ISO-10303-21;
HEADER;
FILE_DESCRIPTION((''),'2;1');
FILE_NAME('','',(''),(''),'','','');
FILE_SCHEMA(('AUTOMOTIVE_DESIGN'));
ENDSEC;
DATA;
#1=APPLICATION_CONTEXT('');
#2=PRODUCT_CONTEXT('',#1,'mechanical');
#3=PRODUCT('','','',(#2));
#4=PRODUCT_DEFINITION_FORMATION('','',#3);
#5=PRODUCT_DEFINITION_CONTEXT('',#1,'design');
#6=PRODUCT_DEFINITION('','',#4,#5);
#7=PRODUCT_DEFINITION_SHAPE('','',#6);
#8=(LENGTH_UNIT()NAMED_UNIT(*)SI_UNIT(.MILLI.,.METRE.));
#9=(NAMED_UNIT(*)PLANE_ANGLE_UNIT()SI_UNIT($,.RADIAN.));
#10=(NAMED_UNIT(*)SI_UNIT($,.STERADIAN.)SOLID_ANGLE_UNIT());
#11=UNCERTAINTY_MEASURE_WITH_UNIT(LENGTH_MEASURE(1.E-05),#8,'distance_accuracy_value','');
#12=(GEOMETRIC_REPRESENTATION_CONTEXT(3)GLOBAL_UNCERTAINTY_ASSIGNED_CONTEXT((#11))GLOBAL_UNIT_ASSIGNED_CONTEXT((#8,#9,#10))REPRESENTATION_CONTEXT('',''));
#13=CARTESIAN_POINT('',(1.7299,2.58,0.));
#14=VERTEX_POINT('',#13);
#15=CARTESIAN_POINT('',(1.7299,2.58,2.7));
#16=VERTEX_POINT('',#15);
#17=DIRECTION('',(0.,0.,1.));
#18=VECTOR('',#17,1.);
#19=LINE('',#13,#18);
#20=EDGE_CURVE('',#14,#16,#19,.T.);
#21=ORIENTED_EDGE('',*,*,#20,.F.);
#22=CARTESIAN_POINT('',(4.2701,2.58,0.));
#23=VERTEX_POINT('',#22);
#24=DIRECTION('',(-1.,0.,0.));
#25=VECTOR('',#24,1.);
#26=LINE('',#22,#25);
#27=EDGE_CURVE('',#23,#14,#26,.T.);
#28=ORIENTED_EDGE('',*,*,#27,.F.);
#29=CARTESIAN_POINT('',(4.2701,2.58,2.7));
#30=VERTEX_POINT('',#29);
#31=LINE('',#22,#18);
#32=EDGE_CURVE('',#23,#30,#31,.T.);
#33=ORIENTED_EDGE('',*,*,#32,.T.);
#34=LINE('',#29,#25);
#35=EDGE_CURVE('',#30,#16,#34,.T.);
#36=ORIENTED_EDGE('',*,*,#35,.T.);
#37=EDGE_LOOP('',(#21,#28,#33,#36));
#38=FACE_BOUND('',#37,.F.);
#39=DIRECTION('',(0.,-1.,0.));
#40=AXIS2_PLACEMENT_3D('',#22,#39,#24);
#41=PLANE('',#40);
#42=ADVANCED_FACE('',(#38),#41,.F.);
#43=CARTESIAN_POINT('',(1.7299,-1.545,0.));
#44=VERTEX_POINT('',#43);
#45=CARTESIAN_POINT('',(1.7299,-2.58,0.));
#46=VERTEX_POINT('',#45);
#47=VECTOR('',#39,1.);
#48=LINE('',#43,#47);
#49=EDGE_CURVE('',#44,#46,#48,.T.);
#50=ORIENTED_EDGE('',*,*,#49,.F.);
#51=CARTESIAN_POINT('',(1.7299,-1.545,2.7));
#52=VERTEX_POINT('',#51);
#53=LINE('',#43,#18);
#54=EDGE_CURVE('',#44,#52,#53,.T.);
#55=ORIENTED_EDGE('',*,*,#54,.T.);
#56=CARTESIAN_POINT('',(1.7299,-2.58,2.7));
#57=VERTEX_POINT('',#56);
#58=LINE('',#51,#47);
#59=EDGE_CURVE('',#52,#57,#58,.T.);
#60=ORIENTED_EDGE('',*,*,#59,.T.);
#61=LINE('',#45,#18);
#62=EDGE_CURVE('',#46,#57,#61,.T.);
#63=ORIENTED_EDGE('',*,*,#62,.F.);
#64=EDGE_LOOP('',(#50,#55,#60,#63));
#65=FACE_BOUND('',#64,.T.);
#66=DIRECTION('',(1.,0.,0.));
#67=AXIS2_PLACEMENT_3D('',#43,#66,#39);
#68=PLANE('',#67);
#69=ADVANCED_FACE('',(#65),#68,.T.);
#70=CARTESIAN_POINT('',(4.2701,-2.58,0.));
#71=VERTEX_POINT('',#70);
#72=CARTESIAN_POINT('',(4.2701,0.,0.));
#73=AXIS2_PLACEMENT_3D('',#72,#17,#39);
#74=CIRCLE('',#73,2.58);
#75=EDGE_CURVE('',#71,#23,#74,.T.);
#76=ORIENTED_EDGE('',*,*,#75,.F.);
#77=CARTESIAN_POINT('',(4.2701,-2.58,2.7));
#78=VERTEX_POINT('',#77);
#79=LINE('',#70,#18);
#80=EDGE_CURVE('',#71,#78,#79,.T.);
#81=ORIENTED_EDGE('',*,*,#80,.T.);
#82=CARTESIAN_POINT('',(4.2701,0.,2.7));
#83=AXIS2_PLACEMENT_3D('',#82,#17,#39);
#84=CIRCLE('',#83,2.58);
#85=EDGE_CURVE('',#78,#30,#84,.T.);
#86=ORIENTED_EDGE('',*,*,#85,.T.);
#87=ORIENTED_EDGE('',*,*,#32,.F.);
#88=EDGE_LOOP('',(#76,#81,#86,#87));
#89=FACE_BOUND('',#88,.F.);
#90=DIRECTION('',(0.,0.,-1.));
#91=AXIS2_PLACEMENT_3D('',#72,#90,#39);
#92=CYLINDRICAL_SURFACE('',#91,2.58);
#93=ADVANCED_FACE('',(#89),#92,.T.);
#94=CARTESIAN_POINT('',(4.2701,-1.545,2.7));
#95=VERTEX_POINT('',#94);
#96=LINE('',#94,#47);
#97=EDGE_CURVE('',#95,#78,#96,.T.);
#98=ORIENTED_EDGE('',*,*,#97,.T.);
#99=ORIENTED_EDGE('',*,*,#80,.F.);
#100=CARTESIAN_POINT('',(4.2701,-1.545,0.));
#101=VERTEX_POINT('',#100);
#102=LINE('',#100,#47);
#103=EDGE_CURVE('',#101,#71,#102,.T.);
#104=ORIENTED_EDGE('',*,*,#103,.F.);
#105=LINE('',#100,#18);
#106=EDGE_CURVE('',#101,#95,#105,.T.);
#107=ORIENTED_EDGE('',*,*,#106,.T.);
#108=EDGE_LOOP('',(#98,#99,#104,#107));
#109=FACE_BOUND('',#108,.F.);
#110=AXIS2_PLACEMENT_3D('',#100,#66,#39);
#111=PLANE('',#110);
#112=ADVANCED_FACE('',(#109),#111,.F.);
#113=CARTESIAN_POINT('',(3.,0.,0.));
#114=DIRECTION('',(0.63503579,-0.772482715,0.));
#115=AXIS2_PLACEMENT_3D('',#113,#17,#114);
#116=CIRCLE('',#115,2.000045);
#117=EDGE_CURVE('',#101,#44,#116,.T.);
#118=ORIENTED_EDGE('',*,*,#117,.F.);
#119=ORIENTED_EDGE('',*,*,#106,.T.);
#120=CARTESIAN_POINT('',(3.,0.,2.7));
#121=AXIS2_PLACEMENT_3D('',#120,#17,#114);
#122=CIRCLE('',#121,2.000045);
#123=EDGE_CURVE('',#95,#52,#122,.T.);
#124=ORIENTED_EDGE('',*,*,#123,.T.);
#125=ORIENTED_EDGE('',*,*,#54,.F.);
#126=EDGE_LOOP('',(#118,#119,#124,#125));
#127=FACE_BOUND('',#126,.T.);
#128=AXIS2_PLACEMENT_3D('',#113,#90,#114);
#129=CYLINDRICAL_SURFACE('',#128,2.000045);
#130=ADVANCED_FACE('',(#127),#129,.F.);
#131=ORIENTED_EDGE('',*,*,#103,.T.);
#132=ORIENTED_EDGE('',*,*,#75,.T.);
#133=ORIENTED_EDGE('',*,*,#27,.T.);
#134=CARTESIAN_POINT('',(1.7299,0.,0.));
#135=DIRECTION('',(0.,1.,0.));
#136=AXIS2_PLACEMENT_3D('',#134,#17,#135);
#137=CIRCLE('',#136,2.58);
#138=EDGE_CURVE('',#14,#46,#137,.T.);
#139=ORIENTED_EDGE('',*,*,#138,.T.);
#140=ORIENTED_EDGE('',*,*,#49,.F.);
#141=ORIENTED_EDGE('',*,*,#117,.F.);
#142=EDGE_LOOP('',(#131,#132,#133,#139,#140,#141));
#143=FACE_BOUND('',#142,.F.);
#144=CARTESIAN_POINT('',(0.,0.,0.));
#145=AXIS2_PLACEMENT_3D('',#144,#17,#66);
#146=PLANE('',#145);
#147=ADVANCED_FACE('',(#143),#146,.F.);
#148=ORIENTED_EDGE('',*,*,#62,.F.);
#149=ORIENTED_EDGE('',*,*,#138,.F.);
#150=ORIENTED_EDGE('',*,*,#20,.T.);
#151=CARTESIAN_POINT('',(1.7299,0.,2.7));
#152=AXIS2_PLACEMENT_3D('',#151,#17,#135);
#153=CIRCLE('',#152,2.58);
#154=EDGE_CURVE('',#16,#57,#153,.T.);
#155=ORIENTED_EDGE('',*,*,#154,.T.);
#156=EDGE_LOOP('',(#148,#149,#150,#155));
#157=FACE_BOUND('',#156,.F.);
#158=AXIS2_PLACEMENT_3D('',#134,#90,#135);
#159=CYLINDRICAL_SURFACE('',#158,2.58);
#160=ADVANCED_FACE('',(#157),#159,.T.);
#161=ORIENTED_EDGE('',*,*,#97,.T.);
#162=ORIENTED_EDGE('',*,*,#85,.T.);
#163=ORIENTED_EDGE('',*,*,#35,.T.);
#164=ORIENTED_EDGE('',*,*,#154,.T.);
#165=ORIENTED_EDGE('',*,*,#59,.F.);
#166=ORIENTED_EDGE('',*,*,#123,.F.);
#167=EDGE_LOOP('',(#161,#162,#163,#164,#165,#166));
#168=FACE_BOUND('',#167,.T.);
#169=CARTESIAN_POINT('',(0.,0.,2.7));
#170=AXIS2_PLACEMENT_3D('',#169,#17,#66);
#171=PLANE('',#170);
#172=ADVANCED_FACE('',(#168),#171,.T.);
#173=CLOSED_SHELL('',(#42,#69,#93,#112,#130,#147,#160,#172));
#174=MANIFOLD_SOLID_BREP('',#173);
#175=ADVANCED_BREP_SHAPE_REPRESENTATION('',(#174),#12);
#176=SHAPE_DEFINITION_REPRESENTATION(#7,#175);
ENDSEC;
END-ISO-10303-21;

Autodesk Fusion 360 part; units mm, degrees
sketch "Sketch1" plane through (0, 0, 0) normal (0, 0, 1) x (1, 0, 0)
  line L0 (-0.85, -0.0168) -> (-0.85, 9) construction
  line L1 (6.85, -0.0176) -> (6.85, 9) construction
  line L2 (1.7299, 0) -> (1.7299, 2.58) construction
  line L3 (4.2701, 0) -> (4.2701, 2.58) construction
  line L4 (4.2701, 0) -> (4.2701, -2.58) construction
  line L5 (1.7299, 0) -> (1.7299, -2.58) construction
  line L6 (4.2701, 2.58) -> (1.7299, 2.58)
  line L7 (3, 2.2457) -> (3, -2.58) construction
  arc A0 (1.7299, 2.58) -> (1.7299, -2.58) centre (1.7299, 0) ccw
  arc A1 (4.2701, -2.58) -> (4.2701, 2.58) centre (4.2701, 0) ccw
  line L8 (1.7299, -1.545) -> (1.7299, -2.58)
  line L9 (4.2701, -1.545) -> (4.2701, -2.58)
  arc A2 (4.2701, -1.545) -> (1.7299, -1.545) centre (3, 0) ccw
  dimension "d3" = 7.7
  dimension "d4" = 4
extrude "Extrude1" add sketch "Sketch1" along normal blind 2.7
